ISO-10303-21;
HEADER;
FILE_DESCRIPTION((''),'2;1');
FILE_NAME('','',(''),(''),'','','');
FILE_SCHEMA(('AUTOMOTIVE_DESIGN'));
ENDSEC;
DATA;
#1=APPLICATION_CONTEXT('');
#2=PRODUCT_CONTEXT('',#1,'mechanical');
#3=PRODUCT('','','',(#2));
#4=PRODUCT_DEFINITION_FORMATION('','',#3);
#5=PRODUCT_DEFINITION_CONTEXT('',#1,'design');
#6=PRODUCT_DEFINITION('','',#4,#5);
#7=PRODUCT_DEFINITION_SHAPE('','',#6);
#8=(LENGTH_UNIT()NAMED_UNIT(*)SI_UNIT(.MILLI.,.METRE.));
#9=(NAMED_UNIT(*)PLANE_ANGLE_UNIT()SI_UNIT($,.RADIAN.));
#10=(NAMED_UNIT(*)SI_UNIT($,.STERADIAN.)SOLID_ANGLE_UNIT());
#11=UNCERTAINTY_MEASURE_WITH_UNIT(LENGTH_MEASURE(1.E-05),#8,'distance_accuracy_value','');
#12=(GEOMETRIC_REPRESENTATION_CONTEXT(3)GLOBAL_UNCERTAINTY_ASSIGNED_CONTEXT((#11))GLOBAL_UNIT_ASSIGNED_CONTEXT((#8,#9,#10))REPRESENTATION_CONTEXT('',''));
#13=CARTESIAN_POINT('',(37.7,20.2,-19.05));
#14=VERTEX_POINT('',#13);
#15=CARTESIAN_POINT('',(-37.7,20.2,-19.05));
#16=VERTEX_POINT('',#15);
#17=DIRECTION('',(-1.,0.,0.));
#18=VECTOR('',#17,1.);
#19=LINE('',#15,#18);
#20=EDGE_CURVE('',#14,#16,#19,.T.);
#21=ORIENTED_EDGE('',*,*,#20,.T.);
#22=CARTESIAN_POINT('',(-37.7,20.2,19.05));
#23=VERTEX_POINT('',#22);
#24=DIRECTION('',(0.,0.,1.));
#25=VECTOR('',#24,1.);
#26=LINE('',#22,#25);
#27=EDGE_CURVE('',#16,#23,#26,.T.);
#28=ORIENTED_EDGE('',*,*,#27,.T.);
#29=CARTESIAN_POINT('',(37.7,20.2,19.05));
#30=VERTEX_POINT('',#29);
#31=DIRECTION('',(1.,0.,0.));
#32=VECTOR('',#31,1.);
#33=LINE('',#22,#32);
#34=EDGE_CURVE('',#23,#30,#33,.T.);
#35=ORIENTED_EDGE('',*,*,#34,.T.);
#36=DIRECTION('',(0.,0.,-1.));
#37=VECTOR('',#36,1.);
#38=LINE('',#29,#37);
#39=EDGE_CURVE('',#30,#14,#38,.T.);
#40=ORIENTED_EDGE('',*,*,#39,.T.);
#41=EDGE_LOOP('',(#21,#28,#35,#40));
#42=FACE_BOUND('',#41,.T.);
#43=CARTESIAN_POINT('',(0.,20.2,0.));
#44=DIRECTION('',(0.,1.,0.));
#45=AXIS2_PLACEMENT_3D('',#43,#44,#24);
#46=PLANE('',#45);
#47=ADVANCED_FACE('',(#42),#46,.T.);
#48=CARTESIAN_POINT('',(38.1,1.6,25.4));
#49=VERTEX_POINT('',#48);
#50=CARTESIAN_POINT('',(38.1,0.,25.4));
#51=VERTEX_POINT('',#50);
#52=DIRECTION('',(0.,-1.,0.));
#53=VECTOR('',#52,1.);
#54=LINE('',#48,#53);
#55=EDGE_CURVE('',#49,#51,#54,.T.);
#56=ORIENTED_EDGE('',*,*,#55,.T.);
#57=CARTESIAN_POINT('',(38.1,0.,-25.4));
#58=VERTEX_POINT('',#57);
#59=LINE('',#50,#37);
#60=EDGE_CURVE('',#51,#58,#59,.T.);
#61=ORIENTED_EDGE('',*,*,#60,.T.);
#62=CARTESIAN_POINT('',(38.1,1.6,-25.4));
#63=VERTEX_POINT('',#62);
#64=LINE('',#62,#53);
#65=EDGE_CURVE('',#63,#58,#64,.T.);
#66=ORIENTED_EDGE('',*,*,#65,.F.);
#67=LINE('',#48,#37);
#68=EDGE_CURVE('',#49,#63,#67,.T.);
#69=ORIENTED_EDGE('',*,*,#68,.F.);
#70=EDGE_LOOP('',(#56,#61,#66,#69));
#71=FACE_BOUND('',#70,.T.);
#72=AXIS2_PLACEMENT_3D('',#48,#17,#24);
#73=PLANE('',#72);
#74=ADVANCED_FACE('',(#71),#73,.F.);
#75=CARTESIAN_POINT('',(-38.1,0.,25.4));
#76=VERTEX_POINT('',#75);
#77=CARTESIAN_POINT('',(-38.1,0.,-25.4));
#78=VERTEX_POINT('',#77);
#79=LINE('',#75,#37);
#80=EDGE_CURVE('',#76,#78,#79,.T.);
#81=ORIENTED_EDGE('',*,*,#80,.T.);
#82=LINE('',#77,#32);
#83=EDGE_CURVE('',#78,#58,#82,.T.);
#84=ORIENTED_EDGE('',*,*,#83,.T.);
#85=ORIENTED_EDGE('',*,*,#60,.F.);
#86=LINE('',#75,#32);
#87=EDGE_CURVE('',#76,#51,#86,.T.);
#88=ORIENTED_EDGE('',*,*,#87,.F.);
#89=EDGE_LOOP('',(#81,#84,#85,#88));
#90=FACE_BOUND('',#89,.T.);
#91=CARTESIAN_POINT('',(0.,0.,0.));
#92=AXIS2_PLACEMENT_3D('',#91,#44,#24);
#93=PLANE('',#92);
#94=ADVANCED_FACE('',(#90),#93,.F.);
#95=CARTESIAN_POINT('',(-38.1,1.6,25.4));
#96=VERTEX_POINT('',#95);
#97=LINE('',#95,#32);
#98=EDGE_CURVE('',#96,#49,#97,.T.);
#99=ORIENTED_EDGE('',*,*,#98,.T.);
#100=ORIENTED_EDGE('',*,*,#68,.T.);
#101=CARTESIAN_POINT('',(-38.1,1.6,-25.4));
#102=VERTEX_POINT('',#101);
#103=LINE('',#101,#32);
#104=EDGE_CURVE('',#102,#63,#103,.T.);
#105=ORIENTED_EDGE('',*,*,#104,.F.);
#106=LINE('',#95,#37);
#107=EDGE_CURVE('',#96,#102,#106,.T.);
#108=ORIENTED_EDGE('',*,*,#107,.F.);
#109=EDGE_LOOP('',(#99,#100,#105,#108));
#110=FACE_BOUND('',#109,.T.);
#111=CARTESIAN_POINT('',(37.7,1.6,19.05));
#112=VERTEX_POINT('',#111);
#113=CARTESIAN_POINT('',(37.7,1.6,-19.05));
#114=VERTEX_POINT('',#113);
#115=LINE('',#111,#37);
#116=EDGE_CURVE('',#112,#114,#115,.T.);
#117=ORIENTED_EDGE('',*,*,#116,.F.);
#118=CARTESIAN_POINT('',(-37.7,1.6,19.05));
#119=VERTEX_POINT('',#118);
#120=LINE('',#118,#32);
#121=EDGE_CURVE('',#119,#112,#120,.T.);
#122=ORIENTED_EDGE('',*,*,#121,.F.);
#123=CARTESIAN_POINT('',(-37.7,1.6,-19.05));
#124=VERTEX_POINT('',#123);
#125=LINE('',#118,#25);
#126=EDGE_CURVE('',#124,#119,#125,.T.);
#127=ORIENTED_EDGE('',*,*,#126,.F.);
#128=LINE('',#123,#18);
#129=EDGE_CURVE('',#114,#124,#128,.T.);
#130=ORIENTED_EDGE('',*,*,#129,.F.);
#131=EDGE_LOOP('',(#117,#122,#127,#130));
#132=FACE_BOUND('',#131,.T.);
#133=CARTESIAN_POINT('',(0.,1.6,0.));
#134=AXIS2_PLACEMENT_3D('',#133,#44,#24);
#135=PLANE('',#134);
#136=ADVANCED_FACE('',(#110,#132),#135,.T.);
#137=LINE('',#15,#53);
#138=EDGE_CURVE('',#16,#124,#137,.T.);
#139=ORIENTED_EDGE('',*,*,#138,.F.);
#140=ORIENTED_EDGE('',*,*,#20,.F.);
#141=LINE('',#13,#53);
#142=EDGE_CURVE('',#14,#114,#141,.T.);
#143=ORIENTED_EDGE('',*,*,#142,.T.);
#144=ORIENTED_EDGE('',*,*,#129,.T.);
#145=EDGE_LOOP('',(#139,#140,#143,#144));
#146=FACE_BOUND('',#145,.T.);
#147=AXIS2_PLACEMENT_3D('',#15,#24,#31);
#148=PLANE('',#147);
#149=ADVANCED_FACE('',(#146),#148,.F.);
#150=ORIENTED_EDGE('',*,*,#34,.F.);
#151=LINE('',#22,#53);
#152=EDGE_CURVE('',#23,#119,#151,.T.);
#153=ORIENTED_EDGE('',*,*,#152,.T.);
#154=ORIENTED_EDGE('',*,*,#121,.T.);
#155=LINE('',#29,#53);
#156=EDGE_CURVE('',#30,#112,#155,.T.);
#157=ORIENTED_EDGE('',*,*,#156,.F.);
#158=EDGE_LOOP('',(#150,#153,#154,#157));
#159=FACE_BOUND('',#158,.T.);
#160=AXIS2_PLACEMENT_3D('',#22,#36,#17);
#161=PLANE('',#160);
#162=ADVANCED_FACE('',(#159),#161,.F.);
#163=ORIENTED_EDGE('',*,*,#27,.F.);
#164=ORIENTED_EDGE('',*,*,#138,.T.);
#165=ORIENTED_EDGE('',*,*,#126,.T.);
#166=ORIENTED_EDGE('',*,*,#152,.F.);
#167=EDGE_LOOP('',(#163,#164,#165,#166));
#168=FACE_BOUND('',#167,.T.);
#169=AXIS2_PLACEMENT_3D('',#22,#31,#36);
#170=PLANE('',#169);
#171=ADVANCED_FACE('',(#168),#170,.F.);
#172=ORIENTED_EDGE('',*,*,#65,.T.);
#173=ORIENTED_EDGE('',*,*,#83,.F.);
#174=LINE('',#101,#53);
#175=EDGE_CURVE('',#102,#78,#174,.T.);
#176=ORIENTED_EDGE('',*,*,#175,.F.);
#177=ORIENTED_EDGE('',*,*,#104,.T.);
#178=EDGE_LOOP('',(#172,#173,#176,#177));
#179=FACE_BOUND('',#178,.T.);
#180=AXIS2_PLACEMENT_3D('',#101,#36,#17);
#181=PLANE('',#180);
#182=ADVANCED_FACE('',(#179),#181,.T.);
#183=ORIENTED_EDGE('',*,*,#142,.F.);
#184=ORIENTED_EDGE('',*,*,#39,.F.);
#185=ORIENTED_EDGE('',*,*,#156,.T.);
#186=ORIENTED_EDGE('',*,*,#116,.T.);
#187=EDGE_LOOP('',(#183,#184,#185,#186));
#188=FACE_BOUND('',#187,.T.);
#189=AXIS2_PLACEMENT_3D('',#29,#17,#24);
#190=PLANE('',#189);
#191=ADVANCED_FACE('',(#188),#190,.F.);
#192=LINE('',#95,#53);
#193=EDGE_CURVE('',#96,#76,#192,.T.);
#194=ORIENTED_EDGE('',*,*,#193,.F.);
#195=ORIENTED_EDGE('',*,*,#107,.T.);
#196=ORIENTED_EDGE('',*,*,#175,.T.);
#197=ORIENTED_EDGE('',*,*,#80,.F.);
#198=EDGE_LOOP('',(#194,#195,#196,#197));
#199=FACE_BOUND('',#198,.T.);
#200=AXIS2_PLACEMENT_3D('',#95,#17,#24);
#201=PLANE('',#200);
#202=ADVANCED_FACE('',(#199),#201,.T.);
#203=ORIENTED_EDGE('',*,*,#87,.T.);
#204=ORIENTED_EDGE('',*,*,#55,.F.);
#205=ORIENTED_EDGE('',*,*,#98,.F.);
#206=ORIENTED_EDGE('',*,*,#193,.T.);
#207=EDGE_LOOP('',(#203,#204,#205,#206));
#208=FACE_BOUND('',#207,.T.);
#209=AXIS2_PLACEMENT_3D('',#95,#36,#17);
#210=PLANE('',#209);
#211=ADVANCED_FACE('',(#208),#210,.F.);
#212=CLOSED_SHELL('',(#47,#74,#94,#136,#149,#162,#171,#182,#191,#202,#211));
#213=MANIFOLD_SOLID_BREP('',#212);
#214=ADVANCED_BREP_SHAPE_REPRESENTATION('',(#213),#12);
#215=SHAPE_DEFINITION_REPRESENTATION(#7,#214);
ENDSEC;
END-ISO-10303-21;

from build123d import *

# Parameters (mm, degrees)
SKETCH1_W           = 76.2
SKETCH1_H           = 50.8
BOSS_EXTRUDE1_DEPTH = 1.6
SKETCH2_W           = 75.4
SKETCH2_H           = 38.1
BOSS_EXTRUDE2_DEPTH = 18.6


with BuildPart() as part:
    # Sketch1 → Boss-Extrude1 (new body)
    with BuildSketch(Plane(origin=(0, 0, 0), x_dir=(1, 0, 0), z_dir=(0, 1, 0))):
        Rectangle(SKETCH1_W, SKETCH1_H)
    extrude(amount=BOSS_EXTRUDE1_DEPTH)

    # Sketch2 → Boss-Extrude2 (add)
    with BuildSketch(Plane(origin=(0, 1.6, 0), x_dir=(1, 0, 0), z_dir=(0, 1, 0))):
        Rectangle(SKETCH2_W, SKETCH2_H)
    extrude(amount=BOSS_EXTRUDE2_DEPTH)


solid = part.part
